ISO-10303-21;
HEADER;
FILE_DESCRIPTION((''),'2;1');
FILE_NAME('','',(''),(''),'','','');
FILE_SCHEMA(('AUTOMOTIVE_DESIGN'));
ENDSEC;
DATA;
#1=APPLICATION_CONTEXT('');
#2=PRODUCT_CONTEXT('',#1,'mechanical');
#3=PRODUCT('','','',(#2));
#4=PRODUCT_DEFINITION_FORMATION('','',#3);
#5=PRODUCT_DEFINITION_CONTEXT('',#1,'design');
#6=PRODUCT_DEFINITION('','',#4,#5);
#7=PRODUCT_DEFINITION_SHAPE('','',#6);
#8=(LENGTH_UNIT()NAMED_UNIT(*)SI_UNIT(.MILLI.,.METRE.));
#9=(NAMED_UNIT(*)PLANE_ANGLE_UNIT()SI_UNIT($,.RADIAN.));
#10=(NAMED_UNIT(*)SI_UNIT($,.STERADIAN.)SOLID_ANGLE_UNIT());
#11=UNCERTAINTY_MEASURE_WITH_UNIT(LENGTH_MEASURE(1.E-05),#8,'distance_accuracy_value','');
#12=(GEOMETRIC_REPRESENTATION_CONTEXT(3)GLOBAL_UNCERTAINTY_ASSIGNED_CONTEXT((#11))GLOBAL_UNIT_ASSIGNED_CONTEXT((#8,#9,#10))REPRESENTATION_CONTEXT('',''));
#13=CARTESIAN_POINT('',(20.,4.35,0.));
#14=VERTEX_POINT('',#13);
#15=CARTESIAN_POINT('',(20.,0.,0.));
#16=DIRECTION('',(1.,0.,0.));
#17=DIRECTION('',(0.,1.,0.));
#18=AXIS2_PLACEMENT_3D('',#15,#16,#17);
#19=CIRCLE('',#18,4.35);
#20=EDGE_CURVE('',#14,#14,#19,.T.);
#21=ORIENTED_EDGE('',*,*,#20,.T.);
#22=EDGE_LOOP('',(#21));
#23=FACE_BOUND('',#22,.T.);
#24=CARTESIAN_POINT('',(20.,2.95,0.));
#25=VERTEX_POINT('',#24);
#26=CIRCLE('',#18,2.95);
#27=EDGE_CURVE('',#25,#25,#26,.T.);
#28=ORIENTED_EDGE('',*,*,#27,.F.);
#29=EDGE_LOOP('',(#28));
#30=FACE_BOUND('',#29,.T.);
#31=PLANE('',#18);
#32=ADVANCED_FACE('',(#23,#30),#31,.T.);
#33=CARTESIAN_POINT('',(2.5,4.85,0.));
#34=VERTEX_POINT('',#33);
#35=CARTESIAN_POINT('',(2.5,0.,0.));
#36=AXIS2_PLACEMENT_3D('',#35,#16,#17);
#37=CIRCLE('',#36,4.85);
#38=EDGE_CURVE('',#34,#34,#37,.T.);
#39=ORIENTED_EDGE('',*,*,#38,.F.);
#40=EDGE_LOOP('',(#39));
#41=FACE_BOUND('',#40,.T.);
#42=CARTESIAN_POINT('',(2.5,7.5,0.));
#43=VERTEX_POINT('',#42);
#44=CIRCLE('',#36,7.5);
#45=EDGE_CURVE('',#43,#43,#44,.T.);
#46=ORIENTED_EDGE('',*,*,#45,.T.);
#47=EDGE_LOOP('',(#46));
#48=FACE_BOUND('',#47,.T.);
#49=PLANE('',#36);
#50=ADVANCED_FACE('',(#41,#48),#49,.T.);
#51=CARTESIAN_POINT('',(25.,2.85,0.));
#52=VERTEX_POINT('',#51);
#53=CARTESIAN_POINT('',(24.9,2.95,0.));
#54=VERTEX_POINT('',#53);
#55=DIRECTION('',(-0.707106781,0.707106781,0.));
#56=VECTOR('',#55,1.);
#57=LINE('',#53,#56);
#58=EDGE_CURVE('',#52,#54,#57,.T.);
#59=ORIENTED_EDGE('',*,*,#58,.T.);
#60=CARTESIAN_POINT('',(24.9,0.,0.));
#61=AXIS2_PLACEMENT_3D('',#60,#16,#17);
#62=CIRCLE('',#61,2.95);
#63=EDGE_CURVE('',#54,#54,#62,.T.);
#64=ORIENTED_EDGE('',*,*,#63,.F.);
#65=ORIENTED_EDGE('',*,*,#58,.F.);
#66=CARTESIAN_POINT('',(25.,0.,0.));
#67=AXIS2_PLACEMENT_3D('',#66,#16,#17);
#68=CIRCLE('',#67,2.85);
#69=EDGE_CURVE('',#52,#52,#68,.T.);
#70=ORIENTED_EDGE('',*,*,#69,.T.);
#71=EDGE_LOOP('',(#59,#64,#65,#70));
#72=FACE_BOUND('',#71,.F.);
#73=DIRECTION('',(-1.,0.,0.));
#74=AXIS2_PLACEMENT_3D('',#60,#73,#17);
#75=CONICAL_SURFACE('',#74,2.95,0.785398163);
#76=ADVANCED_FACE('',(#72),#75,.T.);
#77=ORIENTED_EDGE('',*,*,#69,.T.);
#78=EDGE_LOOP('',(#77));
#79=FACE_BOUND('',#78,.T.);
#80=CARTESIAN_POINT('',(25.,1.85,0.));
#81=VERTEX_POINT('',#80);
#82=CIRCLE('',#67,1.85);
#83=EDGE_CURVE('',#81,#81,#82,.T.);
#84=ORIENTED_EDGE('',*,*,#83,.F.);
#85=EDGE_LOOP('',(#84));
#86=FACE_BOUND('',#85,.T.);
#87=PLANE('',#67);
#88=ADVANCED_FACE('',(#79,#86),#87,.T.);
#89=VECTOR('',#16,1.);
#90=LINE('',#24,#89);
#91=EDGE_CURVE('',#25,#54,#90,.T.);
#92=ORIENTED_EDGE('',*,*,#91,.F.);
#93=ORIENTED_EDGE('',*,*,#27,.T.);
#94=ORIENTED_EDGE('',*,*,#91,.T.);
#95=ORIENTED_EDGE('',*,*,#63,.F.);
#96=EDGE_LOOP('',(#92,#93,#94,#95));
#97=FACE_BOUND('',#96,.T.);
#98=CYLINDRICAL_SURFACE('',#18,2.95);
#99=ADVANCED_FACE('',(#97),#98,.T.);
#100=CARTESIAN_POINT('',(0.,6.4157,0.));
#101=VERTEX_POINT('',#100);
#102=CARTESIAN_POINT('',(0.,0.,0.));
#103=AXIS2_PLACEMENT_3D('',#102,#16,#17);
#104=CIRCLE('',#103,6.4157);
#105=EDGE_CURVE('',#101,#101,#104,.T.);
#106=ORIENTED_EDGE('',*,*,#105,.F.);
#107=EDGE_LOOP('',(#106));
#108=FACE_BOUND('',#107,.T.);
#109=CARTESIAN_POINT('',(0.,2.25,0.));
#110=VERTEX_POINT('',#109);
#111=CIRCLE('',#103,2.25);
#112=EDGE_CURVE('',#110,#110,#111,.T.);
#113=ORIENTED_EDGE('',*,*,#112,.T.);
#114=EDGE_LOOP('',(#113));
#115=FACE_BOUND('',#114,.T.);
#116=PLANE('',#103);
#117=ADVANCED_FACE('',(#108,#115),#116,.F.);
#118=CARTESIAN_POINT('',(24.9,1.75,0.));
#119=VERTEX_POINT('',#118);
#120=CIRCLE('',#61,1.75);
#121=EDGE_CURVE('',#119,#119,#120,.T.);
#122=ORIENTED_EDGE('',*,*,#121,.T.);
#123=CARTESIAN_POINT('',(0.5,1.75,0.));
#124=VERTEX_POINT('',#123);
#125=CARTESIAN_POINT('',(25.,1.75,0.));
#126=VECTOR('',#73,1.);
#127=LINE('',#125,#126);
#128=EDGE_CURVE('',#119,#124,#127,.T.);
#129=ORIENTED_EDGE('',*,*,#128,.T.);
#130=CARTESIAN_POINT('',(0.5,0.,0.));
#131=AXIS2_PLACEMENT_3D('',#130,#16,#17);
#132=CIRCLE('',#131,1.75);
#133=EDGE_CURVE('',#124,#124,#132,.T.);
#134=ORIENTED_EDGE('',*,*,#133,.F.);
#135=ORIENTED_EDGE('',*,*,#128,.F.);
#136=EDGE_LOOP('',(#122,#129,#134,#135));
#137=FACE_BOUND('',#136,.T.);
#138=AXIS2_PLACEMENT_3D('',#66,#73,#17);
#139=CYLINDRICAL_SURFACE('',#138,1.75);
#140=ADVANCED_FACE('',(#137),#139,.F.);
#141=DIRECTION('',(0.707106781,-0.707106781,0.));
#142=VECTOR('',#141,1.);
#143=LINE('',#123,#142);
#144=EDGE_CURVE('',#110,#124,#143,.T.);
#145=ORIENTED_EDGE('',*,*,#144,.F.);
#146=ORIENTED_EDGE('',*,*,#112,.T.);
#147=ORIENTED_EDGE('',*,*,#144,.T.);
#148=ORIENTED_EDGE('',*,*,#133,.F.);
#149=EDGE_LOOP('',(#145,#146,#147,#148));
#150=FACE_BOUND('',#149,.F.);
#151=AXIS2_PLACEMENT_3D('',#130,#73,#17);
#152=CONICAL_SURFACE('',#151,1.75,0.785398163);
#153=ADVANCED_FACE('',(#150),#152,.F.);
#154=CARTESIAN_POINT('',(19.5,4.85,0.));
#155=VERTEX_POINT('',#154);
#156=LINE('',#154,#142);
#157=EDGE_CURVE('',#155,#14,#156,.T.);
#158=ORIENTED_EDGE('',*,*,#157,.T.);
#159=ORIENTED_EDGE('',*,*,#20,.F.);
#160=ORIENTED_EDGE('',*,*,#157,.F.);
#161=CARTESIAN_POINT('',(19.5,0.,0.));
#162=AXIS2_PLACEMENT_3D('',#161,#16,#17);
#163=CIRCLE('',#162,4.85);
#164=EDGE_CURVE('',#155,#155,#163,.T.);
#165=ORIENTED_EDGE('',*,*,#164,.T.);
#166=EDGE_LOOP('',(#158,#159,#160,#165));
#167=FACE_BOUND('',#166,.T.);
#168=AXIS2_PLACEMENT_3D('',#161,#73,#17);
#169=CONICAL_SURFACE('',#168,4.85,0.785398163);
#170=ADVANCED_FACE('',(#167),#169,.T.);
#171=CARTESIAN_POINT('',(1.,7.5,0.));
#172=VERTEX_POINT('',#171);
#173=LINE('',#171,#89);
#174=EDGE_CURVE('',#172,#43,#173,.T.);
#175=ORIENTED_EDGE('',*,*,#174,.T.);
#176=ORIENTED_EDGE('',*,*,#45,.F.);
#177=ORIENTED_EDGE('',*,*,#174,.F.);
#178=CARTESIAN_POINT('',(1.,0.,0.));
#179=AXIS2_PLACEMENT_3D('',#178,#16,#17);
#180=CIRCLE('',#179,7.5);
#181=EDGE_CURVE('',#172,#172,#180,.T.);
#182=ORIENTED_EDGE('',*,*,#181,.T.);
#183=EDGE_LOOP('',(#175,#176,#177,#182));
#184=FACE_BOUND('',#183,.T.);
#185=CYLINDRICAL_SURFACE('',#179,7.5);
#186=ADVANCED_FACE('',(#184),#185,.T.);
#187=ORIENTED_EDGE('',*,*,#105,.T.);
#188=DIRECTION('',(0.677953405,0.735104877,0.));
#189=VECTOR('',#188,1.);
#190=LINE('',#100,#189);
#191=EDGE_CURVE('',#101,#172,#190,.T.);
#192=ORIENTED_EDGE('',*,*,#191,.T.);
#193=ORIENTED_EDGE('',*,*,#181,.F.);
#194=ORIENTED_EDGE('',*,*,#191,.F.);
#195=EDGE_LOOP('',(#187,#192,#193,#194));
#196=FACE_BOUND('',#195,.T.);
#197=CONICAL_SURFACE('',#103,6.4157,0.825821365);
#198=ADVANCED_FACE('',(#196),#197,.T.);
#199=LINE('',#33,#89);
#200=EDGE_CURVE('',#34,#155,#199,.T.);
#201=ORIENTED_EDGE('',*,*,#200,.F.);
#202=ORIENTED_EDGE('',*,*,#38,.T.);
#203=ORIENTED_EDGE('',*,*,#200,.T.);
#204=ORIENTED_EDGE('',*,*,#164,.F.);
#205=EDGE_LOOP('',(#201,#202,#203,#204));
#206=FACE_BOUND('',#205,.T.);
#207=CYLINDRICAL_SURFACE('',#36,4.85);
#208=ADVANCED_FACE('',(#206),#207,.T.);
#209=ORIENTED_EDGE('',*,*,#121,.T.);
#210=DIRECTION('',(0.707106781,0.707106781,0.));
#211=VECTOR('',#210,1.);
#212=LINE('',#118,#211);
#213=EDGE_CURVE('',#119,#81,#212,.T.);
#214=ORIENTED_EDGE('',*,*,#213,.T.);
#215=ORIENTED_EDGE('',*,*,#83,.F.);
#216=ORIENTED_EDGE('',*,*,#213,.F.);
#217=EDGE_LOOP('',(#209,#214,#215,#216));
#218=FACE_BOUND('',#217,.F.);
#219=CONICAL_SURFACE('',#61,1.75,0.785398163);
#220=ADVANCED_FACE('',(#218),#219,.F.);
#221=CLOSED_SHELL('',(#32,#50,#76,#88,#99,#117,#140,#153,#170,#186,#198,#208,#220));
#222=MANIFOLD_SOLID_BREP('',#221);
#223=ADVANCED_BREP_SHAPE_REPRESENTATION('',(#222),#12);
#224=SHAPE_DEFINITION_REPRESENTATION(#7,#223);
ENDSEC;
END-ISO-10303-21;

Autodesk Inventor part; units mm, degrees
ref_plane "YZ Plane" through (0, 0, 0) normal (1, 0, 0) x (0, 1, 0)
ref_plane "XZ Plane" through (0, 0, 0) normal (0, 1, 0) x (-1, 0, 0)
ref_plane "XY Plane" through (0, 0, 0) normal (0, 0, 1) x (1, 0, 0)
sketch "Эскиз1" plane through (0, 0, 0) normal (0, 0, 1) x (1, 0, 0)
  line L0 (0, 0) -> (0, 6.4157)
  line L1 (2.5, 4.85) -> (20, 4.85)
  line L2 (20, 4.85) -> (20, 2.95)
  line L3 (20, 2.95) -> (25, 2.95)
  line L4 (25, 2.95) -> (25, 1.75)
  line L5 (25, 1.75) -> (0, 1.75)
  line L6 (0, 0) -> (17.5335, 0) construction
  line L7 (0, 6.4157) -> (1, 7.5)
  line L8 (1, 7.5) -> (2.5, 7.5)
  line L9 (2.5, 7.5) -> (2.5, 4.85)
  dimension "d0" = 5.9
  dimension "d2" = 3.5
  dimension "d3" = 9.7
  dimension "d12" = 15
  dimension "d18" = 1
  dimension "d19" = 5
  dimension "d21" = 2.5
  dimension "d22" = 17.5
revolve "Вращение1" add sketch "Эскиз1" angle 360 about axis through (0, 0, 0) along (1, 0, 0)
chamfer "Фаска1" distance 0.5 angle 45 2 edges at (20, -4.85, 0) (0, -1.75, 0)
chamfer "Фаска2" distance 0.1 angle 45 2 edges at (25, -2.95, 0) (25, -1.75, 0)
properties part number "Ось односторонняя"
